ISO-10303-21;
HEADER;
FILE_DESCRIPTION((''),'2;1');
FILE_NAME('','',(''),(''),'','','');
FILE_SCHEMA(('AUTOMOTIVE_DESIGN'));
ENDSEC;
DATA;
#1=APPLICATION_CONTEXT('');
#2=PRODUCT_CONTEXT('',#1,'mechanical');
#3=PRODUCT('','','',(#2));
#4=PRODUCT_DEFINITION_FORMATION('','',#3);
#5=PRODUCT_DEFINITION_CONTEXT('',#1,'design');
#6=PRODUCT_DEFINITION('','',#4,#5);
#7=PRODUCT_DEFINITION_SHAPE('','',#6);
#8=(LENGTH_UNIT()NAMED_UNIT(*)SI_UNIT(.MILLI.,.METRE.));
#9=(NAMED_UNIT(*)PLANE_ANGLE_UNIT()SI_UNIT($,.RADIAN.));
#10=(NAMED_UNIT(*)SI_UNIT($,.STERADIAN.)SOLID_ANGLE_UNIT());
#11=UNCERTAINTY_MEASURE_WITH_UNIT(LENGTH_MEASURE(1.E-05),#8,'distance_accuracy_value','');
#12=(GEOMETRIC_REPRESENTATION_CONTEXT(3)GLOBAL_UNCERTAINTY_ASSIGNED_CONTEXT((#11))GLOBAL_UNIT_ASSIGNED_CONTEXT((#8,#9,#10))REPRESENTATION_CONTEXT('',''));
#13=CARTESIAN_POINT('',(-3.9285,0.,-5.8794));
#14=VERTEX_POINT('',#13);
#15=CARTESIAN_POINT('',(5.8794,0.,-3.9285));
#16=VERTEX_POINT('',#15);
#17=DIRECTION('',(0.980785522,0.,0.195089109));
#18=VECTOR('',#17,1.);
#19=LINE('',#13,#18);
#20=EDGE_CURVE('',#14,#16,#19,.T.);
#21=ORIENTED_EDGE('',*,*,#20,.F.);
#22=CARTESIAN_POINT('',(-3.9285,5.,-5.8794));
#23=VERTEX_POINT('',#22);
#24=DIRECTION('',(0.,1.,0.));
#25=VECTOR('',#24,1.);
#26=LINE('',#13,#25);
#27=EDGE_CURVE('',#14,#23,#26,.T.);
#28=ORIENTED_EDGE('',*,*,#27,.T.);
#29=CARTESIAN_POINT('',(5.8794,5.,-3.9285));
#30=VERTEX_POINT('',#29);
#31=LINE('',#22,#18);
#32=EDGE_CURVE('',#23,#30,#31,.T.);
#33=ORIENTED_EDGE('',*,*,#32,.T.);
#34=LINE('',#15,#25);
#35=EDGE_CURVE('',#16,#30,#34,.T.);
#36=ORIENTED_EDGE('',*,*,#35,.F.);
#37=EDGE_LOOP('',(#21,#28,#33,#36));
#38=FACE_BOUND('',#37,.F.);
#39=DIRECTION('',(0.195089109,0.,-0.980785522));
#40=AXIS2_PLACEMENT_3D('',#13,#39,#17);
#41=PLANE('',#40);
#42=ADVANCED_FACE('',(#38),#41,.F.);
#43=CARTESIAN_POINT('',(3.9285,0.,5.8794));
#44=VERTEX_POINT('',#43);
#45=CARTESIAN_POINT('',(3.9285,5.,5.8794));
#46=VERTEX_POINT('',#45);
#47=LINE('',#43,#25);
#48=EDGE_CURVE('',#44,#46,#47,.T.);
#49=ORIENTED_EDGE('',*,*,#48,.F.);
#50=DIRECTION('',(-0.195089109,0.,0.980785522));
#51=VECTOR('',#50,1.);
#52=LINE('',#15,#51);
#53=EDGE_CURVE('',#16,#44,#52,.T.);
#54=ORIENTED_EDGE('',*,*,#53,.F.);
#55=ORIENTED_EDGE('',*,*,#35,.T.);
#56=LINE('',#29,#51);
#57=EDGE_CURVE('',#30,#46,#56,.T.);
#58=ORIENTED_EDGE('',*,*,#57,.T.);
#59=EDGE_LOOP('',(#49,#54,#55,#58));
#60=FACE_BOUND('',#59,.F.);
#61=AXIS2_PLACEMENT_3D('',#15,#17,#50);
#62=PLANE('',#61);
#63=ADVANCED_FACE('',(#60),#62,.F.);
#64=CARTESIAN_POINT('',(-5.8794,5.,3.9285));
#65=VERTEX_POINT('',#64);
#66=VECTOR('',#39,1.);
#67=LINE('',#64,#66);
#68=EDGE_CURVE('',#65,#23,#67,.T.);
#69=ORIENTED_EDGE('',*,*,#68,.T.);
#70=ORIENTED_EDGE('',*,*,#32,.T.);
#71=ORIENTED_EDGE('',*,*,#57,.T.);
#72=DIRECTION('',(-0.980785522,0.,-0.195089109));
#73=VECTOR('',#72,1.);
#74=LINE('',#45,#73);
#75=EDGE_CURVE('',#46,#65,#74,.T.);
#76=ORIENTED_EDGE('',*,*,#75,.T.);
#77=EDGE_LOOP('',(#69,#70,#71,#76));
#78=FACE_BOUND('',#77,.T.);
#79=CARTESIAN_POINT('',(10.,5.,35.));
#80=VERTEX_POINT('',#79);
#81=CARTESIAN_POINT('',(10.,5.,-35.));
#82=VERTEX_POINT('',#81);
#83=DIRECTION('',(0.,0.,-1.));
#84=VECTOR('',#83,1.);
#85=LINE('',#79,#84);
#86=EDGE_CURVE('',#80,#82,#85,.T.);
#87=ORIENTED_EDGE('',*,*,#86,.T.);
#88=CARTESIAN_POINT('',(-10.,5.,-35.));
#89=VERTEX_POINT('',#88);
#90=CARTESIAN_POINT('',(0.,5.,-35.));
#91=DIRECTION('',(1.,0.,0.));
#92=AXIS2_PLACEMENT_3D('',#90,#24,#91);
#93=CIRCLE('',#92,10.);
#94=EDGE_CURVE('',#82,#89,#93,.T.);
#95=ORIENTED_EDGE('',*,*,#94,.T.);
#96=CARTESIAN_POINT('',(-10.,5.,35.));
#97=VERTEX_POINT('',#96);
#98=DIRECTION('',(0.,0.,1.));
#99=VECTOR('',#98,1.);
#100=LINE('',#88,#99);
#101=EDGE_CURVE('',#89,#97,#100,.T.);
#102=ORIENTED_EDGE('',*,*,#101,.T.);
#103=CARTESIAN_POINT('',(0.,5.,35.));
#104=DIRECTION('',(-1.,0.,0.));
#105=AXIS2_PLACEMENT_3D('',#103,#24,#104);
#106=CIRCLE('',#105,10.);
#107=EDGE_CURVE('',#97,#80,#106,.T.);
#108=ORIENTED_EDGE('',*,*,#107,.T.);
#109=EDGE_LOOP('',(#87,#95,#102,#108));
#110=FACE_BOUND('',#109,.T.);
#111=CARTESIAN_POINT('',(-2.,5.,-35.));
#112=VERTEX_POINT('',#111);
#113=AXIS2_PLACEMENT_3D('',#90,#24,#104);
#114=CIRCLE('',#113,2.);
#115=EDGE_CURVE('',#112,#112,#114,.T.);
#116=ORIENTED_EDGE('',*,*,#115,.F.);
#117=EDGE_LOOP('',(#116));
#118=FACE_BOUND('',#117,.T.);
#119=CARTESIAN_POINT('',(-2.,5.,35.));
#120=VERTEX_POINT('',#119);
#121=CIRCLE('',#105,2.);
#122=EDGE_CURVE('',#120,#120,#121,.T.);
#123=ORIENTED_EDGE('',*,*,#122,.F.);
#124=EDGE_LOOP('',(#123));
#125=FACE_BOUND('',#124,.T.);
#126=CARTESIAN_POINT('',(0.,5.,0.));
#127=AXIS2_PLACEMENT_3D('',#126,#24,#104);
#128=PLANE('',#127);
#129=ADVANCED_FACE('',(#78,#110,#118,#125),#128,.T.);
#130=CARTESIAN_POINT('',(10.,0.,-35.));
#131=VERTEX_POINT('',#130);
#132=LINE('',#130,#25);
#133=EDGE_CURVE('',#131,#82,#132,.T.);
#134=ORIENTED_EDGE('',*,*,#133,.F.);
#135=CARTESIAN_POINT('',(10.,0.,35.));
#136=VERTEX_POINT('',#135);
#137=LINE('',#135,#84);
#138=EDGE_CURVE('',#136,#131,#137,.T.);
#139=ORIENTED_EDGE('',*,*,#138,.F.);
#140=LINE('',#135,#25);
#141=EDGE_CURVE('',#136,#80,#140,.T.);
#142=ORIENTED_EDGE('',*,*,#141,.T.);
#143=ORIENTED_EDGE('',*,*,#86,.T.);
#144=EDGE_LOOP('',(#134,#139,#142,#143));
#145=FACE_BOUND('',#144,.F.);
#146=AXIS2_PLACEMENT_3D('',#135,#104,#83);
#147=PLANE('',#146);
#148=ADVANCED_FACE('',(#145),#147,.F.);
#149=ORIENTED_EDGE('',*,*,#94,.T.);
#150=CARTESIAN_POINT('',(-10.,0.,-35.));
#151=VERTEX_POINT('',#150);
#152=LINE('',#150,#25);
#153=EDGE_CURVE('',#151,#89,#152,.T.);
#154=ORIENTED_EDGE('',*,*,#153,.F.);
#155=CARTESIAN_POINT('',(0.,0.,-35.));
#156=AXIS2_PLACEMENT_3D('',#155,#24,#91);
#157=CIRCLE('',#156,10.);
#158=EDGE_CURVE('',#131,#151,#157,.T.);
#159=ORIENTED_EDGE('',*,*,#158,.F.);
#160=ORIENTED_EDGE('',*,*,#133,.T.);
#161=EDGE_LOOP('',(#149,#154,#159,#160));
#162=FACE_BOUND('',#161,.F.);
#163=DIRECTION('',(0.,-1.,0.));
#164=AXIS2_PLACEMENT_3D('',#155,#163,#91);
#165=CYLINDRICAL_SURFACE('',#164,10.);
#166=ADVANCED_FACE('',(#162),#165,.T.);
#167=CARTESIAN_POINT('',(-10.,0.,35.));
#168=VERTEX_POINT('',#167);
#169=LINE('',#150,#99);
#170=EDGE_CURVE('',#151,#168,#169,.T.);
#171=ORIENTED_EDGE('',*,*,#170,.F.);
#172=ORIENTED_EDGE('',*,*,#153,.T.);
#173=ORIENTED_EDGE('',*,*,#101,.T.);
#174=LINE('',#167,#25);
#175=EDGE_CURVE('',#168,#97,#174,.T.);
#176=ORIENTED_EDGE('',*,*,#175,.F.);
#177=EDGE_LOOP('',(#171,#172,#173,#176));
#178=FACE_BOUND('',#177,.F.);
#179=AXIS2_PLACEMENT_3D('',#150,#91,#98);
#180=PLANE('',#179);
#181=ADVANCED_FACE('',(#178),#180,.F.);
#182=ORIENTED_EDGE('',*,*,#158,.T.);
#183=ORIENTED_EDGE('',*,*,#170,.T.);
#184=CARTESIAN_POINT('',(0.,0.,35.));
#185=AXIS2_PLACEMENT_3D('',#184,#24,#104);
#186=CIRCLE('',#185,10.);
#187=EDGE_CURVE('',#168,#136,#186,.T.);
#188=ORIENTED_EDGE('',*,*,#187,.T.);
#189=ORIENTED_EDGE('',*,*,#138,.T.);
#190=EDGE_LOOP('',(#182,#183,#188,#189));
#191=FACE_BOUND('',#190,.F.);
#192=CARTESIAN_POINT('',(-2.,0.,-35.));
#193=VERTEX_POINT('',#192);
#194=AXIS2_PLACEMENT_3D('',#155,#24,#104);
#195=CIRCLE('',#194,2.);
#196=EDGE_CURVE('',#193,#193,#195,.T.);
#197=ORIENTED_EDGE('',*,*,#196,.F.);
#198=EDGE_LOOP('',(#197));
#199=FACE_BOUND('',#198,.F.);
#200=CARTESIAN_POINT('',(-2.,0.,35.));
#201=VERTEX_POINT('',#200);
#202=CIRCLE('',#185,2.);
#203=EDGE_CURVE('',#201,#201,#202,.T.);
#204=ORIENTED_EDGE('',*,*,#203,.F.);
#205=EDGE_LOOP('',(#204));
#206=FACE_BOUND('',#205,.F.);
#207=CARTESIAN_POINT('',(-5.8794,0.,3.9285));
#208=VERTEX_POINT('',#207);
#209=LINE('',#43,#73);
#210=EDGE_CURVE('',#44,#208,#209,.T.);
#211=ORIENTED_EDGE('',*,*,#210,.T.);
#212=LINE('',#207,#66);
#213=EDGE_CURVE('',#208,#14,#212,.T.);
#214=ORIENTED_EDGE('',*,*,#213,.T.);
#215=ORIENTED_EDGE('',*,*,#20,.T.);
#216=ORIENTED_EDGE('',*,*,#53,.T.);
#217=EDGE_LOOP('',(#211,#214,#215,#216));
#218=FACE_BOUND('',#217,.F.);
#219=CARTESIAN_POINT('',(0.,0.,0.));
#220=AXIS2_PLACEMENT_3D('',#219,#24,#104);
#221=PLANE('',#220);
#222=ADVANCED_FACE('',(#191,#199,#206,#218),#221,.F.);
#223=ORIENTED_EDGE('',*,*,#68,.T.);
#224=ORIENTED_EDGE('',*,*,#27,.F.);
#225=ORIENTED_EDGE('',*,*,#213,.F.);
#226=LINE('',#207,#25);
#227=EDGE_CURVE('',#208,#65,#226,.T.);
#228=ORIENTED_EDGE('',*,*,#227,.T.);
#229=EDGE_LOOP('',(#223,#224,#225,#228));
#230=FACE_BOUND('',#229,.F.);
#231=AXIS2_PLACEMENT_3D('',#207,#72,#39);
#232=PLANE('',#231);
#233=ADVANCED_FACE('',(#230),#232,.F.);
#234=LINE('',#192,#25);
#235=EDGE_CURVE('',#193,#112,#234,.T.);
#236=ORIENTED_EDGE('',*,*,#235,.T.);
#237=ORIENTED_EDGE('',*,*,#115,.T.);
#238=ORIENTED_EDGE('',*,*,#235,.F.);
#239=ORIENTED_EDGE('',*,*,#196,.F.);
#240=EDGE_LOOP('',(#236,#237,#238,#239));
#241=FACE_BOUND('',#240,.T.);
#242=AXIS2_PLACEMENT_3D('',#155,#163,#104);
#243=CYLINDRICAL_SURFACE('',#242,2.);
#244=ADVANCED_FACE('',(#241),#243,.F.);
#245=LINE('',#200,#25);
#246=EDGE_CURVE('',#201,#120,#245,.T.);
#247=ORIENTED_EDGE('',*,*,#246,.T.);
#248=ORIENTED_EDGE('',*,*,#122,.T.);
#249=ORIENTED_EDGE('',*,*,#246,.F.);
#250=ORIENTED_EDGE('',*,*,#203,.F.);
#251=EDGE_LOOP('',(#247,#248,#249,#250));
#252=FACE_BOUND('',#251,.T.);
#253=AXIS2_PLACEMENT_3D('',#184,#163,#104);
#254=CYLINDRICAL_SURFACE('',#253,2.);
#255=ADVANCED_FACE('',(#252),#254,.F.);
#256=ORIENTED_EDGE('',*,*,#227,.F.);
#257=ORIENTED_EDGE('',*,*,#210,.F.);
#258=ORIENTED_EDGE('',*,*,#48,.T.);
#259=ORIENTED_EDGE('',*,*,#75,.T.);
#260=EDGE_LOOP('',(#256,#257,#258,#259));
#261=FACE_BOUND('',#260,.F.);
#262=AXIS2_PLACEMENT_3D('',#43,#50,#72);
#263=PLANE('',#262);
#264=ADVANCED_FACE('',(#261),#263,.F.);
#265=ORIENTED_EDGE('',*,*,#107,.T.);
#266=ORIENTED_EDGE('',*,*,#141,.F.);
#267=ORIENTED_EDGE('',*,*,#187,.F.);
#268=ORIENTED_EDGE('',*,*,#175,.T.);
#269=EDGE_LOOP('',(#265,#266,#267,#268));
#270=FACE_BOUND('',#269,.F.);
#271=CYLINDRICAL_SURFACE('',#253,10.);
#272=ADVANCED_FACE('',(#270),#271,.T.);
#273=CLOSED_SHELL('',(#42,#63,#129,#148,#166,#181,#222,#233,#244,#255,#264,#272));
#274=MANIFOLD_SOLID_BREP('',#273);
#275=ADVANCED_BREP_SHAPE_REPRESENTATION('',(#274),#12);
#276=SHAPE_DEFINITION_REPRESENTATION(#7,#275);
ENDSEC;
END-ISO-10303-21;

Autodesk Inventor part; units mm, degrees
ref_plane "YZ Plane" through (0, 0, 0) normal (1, 0, 0) x (0, 1, 0)
ref_plane "XZ Plane" through (0, 0, 0) normal (0, 1, 0) x (-1, 0, 0)
ref_plane "XY Plane" through (0, 0, 0) normal (0, 0, 1) x (1, 0, 0)
sketch "Sketch1" plane through (0, 0, 0) normal (0, 1, 0) x (-1, 0, 0)
  line L0 (0, 35) -> (0, -35) construction
  line L1 (-10, 35) -> (-10, -35)
  line L2 (10, -35) -> (10, 35)
  arc A0 (10, 35) -> (-10, 35) centre (0, 35) ccw
  arc A1 (-10, -35) -> (10, -35) centre (0, -35) ccw
  circle A2 centre (0, -35) radius 2
  circle A3 centre (0, 35) radius 2
  line L3 (-5.8794, -3.9285) -> (-3.9285, 5.8794)
  line L4 (-3.9285, 5.8794) -> (5.8794, 3.9285)
  line L5 (5.8794, 3.9285) -> (3.9285, -5.8794)
  line L6 (3.9285, -5.8794) -> (-5.8794, -3.9285)
  line L7 (-5.8794, -3.9285) -> (5.8794, 3.9285) construction
  line L8 (-3.9285, 5.8794) -> (3.9285, -5.8794) construction
  line L9 (-5.8794, -3.9285) -> (4.1206, -3.9285) construction
  point P0 (0, 0)
  dimension "d0" = 35
  dimension "d1" = 20
  dimension "d2" = 4
  dimension "d3" = 4
  dimension "d4" = 10
  dimension "d5" = 78.75
  dimension "d6" = 10
extrude "Extrusion1" add sketch "Sketch1" along normal blind 5
properties part number "CameraAngle22.5"
